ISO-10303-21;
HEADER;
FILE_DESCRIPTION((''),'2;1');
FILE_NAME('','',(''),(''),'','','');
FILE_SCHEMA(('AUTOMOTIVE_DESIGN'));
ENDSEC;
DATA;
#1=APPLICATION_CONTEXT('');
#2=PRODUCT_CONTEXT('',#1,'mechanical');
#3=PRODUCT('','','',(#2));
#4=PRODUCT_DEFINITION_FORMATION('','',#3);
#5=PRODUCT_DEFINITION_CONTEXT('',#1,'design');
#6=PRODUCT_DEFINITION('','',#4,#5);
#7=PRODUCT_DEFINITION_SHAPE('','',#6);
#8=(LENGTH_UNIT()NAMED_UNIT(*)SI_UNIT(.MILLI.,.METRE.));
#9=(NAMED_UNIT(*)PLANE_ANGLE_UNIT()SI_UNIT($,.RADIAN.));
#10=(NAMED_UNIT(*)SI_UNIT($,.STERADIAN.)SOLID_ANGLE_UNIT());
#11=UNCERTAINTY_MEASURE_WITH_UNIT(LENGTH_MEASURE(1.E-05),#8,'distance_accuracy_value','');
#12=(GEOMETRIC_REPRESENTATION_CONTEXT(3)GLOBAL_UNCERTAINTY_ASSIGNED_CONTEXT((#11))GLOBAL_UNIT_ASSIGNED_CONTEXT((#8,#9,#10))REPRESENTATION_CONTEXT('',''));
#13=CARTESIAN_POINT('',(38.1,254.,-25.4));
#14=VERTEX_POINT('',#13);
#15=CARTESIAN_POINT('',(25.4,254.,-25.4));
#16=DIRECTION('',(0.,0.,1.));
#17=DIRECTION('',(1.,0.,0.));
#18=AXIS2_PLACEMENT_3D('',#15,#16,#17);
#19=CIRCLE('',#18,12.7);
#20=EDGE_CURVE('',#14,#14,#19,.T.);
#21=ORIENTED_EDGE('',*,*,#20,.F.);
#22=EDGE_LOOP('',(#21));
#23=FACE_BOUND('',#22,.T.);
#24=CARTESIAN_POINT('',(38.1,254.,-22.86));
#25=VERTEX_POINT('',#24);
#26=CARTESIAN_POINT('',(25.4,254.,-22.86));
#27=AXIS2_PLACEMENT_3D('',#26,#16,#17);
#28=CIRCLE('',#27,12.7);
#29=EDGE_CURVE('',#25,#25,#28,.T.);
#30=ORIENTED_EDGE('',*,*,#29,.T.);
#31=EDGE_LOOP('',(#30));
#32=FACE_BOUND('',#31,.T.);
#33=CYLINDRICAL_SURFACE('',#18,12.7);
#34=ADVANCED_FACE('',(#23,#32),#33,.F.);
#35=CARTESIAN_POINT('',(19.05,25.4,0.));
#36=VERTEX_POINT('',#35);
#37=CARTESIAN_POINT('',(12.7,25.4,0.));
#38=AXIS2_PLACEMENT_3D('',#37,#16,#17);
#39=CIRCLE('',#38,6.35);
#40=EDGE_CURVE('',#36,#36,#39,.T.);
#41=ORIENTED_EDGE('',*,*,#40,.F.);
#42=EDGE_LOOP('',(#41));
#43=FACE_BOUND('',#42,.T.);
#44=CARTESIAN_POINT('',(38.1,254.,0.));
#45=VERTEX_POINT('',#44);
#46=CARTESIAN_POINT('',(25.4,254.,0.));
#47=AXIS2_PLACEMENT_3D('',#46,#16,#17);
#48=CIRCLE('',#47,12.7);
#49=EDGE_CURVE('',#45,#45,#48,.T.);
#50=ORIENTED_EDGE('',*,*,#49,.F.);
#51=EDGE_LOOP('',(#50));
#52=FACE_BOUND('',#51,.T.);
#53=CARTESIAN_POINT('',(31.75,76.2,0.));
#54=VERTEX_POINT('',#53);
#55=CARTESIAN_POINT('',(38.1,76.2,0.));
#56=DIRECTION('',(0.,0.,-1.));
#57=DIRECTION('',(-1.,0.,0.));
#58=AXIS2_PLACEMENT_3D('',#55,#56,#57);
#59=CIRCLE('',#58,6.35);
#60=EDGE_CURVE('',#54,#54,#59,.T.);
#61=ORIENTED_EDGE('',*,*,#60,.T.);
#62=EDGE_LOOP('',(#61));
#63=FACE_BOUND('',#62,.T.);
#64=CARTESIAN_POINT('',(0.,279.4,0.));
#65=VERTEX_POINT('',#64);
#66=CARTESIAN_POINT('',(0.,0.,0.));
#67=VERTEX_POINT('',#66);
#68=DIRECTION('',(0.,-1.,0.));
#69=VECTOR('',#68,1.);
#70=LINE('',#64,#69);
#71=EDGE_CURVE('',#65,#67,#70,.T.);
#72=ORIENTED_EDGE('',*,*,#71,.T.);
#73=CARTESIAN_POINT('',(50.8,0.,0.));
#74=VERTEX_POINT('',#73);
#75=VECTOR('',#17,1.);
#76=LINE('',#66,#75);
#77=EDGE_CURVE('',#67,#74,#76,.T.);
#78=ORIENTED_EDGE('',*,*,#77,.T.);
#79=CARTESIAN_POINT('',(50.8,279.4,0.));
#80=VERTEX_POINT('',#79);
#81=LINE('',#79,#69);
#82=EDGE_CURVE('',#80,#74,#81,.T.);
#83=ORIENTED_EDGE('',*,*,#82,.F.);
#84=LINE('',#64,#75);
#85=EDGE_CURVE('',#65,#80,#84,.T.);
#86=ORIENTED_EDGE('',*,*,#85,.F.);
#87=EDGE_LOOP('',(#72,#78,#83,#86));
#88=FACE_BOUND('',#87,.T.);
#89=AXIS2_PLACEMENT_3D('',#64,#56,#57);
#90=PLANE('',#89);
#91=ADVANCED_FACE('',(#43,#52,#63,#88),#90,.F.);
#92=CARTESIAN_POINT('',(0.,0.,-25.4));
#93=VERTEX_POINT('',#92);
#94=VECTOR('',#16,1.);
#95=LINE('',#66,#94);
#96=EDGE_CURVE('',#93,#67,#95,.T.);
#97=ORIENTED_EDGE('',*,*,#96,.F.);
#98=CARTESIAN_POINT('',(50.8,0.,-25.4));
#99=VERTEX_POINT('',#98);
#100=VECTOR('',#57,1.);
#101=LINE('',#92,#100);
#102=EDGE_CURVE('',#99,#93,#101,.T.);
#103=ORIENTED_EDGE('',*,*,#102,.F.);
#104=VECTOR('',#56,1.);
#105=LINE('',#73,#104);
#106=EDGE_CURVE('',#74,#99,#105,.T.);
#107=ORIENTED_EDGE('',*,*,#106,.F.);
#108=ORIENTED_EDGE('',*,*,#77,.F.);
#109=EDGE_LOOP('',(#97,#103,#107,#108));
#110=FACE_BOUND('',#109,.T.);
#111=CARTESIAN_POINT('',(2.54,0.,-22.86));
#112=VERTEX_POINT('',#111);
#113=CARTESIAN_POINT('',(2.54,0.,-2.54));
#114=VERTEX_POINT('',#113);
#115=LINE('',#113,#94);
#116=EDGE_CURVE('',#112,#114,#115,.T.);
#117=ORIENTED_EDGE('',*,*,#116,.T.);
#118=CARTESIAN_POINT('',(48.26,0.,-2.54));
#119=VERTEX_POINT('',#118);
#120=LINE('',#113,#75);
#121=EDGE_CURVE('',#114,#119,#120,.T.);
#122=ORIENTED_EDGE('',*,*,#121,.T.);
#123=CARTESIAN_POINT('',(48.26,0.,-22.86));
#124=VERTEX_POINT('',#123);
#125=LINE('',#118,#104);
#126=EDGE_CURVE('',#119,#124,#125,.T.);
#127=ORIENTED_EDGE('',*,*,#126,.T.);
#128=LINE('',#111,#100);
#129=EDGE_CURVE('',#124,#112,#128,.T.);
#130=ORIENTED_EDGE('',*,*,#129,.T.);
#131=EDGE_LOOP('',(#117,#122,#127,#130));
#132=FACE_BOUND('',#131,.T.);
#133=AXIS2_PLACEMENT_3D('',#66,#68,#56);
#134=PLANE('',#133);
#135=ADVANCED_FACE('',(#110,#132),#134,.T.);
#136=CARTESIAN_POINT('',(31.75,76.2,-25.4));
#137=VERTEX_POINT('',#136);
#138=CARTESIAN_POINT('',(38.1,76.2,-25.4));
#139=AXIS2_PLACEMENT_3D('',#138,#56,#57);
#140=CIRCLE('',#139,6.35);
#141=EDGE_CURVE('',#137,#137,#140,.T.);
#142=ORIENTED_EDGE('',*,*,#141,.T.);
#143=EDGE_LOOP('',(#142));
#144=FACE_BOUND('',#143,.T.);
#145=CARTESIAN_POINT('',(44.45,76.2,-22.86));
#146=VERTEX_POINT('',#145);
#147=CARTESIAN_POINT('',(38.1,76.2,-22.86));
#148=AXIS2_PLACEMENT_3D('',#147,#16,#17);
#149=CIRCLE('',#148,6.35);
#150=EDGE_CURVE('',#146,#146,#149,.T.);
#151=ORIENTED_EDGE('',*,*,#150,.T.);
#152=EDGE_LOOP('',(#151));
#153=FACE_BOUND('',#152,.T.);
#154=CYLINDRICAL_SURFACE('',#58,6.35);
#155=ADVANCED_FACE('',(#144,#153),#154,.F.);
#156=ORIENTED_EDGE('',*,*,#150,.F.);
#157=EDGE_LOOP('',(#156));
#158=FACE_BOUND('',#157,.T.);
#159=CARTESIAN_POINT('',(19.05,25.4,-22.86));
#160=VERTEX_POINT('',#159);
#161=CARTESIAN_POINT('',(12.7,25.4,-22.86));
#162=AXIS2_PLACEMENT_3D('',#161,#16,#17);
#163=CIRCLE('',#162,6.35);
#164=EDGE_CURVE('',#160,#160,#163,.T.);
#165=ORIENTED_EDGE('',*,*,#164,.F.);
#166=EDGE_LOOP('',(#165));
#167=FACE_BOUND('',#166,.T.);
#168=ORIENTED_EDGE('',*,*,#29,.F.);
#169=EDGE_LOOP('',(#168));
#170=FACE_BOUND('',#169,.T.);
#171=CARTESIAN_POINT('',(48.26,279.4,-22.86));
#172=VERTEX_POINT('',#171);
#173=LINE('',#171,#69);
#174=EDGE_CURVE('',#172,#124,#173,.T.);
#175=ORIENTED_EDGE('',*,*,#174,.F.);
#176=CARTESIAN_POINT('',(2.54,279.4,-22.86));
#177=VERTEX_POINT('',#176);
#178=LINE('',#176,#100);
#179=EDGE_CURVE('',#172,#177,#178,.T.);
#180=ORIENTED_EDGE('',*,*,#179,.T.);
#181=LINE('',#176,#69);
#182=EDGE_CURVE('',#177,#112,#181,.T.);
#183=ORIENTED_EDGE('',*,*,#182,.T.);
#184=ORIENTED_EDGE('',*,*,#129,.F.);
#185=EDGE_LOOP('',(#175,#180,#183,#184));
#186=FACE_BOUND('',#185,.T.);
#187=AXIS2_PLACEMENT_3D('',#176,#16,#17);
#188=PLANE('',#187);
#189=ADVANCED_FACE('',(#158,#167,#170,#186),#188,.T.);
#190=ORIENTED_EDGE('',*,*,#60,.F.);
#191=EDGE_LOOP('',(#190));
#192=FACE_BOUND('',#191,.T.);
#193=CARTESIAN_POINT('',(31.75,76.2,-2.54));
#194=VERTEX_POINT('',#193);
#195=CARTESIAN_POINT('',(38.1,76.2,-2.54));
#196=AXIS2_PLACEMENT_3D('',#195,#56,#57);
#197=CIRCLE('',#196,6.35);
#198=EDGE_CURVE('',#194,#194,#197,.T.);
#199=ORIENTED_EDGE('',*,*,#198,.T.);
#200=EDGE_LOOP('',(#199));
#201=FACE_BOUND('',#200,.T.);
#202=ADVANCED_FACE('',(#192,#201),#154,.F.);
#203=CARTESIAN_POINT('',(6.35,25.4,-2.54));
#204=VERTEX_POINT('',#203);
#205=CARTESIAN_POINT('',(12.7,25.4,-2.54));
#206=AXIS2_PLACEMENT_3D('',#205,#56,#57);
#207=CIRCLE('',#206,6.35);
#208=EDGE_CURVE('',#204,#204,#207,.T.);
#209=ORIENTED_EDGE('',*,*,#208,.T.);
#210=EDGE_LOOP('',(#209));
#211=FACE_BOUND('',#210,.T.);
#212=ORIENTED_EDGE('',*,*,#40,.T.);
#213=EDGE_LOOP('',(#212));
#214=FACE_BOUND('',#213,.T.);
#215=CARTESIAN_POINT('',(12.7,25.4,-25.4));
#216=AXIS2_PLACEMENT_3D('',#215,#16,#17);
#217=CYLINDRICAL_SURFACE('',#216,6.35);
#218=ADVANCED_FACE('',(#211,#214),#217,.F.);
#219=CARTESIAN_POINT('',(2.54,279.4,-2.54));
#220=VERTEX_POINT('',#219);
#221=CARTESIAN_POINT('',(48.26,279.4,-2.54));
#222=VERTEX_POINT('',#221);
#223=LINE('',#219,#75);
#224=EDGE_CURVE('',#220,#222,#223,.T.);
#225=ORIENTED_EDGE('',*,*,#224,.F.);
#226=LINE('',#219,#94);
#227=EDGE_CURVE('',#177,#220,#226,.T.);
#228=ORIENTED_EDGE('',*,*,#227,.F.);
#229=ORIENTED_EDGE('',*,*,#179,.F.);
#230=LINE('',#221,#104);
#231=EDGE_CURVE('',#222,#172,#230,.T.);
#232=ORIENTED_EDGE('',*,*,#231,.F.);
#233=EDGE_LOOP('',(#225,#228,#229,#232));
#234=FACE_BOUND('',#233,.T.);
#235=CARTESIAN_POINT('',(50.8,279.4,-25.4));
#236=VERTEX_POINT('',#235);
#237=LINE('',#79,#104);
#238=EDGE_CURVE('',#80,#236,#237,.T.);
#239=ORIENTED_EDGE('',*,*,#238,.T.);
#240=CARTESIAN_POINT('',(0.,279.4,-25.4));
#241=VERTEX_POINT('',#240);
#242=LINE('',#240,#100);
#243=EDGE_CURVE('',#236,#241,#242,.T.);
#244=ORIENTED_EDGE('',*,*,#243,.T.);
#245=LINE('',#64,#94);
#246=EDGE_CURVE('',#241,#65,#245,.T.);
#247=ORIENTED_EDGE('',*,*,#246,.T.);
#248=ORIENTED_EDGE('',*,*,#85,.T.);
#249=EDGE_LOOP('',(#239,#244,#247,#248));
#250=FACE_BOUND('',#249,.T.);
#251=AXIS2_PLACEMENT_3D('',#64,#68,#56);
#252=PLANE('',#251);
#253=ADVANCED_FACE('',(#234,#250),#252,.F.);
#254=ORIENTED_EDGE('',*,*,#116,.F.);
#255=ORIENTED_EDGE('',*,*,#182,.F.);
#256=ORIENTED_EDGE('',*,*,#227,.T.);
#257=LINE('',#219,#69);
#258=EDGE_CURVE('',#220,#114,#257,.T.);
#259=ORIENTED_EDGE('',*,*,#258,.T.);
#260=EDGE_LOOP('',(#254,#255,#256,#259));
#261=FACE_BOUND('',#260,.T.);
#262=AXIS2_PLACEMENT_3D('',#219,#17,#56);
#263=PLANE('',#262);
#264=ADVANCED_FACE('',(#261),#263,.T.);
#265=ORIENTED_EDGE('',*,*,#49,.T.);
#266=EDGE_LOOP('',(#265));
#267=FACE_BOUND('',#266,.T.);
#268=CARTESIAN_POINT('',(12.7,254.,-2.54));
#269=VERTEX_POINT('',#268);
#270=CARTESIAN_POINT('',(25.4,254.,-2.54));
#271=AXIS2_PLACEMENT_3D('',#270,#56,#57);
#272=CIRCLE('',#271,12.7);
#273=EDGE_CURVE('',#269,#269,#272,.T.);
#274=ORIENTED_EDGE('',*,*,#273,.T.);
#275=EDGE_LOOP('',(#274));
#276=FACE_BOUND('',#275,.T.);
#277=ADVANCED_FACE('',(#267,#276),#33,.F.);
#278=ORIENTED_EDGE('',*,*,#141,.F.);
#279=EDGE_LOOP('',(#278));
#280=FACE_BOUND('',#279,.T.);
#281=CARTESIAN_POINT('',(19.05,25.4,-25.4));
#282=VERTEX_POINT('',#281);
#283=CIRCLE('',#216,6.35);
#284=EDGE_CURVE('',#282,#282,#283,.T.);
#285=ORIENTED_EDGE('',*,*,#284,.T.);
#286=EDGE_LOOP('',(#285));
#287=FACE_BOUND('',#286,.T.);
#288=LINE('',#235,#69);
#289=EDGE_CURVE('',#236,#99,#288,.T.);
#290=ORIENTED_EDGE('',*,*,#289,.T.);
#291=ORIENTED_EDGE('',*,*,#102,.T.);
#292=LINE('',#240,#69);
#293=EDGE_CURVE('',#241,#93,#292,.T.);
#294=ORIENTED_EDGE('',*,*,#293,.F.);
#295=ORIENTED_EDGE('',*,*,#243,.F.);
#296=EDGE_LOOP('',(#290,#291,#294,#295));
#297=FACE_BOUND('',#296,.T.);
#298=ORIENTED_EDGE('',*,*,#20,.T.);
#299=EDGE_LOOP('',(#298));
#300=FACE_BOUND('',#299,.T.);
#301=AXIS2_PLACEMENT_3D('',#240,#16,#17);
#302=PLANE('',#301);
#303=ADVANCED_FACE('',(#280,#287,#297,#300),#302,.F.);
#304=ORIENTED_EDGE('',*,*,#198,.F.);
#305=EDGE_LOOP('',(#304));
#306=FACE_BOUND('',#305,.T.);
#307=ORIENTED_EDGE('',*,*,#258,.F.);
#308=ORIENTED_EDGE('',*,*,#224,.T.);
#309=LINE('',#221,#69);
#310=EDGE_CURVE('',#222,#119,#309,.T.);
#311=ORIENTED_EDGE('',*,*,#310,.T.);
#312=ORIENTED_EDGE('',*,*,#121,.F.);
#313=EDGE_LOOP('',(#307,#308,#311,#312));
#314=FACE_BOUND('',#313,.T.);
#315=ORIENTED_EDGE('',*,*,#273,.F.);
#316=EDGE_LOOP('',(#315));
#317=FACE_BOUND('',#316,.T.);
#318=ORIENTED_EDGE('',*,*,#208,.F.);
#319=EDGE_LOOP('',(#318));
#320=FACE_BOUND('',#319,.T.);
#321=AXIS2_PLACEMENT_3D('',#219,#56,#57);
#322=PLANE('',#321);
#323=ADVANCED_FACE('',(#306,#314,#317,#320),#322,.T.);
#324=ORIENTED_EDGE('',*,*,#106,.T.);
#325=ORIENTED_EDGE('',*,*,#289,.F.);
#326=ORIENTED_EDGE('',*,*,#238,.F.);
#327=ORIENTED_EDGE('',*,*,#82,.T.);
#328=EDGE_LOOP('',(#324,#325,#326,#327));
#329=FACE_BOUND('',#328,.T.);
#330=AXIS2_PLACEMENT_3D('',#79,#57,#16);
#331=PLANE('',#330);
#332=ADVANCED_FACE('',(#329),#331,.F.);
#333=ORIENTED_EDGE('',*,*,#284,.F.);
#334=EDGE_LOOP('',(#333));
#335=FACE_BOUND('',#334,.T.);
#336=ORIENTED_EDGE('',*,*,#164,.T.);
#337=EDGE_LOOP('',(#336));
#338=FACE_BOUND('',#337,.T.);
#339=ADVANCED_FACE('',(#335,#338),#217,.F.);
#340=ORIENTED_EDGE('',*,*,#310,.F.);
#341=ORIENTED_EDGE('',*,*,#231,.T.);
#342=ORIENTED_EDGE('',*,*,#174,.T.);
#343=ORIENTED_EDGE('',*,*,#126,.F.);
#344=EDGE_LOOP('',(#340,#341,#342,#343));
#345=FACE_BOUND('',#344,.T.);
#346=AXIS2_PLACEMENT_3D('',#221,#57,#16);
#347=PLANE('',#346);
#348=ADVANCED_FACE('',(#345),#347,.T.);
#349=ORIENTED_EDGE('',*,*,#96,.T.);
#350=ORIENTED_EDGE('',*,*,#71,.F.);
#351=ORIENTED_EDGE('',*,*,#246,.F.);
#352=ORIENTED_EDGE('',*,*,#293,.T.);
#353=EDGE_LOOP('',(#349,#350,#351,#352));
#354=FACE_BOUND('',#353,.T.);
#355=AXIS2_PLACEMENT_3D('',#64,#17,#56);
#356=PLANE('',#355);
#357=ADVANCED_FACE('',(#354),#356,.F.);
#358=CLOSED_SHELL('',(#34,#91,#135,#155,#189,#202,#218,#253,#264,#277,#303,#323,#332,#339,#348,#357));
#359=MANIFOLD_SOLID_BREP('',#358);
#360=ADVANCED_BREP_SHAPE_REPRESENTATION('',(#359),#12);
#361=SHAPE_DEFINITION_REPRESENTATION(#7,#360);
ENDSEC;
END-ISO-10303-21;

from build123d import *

# Parameters (mm, degrees)
SKETCH1_W           = 50.8
SKETCH1_H           = 25.4
SKETCH1_W_2         = 45.72
SKETCH1_H_2         = 20.32
BOSS_EXTRUDE1_DEPTH = 279.4
SKETCH2_R           = 6.35
SKETCH2_R_2         = 12.7
CUT_EXTRUDE1_DEPTH  = 286.114292872
SKETCH3_R           = 6.35
CUT_EXTRUDE2_DEPTH  = 286.114292872


with BuildPart() as part:
    # Sketch1 → Boss-Extrude1 (new body)
    with BuildSketch(Plane(origin=(0, 0, 0), x_dir=(1, 0, 0), z_dir=(0, 1, 0))):
        with Locations((25.4, 12.7)):
            Rectangle(SKETCH1_W, SKETCH1_H)
        with Locations((25.4, 12.7)):
            Rectangle(SKETCH1_W_2, SKETCH1_H_2, mode=Mode.SUBTRACT)
    extrude(amount=BOSS_EXTRUDE1_DEPTH)

    # Sketch2 → Cut-Extrude1 (cut, through all)
    with BuildSketch(Plane.XY):
        with Locations((12.7, 25.4)):
            Circle(SKETCH2_R)
        with Locations((25.4, 254)):
            Circle(SKETCH2_R_2)
    extrude(amount=-CUT_EXTRUDE1_DEPTH, mode=Mode.SUBTRACT)

    # Sketch3 → Cut-Extrude2 (cut, through all)
    with BuildSketch(Plane(origin=(0, 0, -25.4), x_dir=(-1, 0, 0), z_dir=(0, 0, -1))):
        with Locations((-38.1, 76.2)):
            Circle(SKETCH3_R)
    extrude(amount=-CUT_EXTRUDE2_DEPTH, mode=Mode.SUBTRACT)


solid = part.part
